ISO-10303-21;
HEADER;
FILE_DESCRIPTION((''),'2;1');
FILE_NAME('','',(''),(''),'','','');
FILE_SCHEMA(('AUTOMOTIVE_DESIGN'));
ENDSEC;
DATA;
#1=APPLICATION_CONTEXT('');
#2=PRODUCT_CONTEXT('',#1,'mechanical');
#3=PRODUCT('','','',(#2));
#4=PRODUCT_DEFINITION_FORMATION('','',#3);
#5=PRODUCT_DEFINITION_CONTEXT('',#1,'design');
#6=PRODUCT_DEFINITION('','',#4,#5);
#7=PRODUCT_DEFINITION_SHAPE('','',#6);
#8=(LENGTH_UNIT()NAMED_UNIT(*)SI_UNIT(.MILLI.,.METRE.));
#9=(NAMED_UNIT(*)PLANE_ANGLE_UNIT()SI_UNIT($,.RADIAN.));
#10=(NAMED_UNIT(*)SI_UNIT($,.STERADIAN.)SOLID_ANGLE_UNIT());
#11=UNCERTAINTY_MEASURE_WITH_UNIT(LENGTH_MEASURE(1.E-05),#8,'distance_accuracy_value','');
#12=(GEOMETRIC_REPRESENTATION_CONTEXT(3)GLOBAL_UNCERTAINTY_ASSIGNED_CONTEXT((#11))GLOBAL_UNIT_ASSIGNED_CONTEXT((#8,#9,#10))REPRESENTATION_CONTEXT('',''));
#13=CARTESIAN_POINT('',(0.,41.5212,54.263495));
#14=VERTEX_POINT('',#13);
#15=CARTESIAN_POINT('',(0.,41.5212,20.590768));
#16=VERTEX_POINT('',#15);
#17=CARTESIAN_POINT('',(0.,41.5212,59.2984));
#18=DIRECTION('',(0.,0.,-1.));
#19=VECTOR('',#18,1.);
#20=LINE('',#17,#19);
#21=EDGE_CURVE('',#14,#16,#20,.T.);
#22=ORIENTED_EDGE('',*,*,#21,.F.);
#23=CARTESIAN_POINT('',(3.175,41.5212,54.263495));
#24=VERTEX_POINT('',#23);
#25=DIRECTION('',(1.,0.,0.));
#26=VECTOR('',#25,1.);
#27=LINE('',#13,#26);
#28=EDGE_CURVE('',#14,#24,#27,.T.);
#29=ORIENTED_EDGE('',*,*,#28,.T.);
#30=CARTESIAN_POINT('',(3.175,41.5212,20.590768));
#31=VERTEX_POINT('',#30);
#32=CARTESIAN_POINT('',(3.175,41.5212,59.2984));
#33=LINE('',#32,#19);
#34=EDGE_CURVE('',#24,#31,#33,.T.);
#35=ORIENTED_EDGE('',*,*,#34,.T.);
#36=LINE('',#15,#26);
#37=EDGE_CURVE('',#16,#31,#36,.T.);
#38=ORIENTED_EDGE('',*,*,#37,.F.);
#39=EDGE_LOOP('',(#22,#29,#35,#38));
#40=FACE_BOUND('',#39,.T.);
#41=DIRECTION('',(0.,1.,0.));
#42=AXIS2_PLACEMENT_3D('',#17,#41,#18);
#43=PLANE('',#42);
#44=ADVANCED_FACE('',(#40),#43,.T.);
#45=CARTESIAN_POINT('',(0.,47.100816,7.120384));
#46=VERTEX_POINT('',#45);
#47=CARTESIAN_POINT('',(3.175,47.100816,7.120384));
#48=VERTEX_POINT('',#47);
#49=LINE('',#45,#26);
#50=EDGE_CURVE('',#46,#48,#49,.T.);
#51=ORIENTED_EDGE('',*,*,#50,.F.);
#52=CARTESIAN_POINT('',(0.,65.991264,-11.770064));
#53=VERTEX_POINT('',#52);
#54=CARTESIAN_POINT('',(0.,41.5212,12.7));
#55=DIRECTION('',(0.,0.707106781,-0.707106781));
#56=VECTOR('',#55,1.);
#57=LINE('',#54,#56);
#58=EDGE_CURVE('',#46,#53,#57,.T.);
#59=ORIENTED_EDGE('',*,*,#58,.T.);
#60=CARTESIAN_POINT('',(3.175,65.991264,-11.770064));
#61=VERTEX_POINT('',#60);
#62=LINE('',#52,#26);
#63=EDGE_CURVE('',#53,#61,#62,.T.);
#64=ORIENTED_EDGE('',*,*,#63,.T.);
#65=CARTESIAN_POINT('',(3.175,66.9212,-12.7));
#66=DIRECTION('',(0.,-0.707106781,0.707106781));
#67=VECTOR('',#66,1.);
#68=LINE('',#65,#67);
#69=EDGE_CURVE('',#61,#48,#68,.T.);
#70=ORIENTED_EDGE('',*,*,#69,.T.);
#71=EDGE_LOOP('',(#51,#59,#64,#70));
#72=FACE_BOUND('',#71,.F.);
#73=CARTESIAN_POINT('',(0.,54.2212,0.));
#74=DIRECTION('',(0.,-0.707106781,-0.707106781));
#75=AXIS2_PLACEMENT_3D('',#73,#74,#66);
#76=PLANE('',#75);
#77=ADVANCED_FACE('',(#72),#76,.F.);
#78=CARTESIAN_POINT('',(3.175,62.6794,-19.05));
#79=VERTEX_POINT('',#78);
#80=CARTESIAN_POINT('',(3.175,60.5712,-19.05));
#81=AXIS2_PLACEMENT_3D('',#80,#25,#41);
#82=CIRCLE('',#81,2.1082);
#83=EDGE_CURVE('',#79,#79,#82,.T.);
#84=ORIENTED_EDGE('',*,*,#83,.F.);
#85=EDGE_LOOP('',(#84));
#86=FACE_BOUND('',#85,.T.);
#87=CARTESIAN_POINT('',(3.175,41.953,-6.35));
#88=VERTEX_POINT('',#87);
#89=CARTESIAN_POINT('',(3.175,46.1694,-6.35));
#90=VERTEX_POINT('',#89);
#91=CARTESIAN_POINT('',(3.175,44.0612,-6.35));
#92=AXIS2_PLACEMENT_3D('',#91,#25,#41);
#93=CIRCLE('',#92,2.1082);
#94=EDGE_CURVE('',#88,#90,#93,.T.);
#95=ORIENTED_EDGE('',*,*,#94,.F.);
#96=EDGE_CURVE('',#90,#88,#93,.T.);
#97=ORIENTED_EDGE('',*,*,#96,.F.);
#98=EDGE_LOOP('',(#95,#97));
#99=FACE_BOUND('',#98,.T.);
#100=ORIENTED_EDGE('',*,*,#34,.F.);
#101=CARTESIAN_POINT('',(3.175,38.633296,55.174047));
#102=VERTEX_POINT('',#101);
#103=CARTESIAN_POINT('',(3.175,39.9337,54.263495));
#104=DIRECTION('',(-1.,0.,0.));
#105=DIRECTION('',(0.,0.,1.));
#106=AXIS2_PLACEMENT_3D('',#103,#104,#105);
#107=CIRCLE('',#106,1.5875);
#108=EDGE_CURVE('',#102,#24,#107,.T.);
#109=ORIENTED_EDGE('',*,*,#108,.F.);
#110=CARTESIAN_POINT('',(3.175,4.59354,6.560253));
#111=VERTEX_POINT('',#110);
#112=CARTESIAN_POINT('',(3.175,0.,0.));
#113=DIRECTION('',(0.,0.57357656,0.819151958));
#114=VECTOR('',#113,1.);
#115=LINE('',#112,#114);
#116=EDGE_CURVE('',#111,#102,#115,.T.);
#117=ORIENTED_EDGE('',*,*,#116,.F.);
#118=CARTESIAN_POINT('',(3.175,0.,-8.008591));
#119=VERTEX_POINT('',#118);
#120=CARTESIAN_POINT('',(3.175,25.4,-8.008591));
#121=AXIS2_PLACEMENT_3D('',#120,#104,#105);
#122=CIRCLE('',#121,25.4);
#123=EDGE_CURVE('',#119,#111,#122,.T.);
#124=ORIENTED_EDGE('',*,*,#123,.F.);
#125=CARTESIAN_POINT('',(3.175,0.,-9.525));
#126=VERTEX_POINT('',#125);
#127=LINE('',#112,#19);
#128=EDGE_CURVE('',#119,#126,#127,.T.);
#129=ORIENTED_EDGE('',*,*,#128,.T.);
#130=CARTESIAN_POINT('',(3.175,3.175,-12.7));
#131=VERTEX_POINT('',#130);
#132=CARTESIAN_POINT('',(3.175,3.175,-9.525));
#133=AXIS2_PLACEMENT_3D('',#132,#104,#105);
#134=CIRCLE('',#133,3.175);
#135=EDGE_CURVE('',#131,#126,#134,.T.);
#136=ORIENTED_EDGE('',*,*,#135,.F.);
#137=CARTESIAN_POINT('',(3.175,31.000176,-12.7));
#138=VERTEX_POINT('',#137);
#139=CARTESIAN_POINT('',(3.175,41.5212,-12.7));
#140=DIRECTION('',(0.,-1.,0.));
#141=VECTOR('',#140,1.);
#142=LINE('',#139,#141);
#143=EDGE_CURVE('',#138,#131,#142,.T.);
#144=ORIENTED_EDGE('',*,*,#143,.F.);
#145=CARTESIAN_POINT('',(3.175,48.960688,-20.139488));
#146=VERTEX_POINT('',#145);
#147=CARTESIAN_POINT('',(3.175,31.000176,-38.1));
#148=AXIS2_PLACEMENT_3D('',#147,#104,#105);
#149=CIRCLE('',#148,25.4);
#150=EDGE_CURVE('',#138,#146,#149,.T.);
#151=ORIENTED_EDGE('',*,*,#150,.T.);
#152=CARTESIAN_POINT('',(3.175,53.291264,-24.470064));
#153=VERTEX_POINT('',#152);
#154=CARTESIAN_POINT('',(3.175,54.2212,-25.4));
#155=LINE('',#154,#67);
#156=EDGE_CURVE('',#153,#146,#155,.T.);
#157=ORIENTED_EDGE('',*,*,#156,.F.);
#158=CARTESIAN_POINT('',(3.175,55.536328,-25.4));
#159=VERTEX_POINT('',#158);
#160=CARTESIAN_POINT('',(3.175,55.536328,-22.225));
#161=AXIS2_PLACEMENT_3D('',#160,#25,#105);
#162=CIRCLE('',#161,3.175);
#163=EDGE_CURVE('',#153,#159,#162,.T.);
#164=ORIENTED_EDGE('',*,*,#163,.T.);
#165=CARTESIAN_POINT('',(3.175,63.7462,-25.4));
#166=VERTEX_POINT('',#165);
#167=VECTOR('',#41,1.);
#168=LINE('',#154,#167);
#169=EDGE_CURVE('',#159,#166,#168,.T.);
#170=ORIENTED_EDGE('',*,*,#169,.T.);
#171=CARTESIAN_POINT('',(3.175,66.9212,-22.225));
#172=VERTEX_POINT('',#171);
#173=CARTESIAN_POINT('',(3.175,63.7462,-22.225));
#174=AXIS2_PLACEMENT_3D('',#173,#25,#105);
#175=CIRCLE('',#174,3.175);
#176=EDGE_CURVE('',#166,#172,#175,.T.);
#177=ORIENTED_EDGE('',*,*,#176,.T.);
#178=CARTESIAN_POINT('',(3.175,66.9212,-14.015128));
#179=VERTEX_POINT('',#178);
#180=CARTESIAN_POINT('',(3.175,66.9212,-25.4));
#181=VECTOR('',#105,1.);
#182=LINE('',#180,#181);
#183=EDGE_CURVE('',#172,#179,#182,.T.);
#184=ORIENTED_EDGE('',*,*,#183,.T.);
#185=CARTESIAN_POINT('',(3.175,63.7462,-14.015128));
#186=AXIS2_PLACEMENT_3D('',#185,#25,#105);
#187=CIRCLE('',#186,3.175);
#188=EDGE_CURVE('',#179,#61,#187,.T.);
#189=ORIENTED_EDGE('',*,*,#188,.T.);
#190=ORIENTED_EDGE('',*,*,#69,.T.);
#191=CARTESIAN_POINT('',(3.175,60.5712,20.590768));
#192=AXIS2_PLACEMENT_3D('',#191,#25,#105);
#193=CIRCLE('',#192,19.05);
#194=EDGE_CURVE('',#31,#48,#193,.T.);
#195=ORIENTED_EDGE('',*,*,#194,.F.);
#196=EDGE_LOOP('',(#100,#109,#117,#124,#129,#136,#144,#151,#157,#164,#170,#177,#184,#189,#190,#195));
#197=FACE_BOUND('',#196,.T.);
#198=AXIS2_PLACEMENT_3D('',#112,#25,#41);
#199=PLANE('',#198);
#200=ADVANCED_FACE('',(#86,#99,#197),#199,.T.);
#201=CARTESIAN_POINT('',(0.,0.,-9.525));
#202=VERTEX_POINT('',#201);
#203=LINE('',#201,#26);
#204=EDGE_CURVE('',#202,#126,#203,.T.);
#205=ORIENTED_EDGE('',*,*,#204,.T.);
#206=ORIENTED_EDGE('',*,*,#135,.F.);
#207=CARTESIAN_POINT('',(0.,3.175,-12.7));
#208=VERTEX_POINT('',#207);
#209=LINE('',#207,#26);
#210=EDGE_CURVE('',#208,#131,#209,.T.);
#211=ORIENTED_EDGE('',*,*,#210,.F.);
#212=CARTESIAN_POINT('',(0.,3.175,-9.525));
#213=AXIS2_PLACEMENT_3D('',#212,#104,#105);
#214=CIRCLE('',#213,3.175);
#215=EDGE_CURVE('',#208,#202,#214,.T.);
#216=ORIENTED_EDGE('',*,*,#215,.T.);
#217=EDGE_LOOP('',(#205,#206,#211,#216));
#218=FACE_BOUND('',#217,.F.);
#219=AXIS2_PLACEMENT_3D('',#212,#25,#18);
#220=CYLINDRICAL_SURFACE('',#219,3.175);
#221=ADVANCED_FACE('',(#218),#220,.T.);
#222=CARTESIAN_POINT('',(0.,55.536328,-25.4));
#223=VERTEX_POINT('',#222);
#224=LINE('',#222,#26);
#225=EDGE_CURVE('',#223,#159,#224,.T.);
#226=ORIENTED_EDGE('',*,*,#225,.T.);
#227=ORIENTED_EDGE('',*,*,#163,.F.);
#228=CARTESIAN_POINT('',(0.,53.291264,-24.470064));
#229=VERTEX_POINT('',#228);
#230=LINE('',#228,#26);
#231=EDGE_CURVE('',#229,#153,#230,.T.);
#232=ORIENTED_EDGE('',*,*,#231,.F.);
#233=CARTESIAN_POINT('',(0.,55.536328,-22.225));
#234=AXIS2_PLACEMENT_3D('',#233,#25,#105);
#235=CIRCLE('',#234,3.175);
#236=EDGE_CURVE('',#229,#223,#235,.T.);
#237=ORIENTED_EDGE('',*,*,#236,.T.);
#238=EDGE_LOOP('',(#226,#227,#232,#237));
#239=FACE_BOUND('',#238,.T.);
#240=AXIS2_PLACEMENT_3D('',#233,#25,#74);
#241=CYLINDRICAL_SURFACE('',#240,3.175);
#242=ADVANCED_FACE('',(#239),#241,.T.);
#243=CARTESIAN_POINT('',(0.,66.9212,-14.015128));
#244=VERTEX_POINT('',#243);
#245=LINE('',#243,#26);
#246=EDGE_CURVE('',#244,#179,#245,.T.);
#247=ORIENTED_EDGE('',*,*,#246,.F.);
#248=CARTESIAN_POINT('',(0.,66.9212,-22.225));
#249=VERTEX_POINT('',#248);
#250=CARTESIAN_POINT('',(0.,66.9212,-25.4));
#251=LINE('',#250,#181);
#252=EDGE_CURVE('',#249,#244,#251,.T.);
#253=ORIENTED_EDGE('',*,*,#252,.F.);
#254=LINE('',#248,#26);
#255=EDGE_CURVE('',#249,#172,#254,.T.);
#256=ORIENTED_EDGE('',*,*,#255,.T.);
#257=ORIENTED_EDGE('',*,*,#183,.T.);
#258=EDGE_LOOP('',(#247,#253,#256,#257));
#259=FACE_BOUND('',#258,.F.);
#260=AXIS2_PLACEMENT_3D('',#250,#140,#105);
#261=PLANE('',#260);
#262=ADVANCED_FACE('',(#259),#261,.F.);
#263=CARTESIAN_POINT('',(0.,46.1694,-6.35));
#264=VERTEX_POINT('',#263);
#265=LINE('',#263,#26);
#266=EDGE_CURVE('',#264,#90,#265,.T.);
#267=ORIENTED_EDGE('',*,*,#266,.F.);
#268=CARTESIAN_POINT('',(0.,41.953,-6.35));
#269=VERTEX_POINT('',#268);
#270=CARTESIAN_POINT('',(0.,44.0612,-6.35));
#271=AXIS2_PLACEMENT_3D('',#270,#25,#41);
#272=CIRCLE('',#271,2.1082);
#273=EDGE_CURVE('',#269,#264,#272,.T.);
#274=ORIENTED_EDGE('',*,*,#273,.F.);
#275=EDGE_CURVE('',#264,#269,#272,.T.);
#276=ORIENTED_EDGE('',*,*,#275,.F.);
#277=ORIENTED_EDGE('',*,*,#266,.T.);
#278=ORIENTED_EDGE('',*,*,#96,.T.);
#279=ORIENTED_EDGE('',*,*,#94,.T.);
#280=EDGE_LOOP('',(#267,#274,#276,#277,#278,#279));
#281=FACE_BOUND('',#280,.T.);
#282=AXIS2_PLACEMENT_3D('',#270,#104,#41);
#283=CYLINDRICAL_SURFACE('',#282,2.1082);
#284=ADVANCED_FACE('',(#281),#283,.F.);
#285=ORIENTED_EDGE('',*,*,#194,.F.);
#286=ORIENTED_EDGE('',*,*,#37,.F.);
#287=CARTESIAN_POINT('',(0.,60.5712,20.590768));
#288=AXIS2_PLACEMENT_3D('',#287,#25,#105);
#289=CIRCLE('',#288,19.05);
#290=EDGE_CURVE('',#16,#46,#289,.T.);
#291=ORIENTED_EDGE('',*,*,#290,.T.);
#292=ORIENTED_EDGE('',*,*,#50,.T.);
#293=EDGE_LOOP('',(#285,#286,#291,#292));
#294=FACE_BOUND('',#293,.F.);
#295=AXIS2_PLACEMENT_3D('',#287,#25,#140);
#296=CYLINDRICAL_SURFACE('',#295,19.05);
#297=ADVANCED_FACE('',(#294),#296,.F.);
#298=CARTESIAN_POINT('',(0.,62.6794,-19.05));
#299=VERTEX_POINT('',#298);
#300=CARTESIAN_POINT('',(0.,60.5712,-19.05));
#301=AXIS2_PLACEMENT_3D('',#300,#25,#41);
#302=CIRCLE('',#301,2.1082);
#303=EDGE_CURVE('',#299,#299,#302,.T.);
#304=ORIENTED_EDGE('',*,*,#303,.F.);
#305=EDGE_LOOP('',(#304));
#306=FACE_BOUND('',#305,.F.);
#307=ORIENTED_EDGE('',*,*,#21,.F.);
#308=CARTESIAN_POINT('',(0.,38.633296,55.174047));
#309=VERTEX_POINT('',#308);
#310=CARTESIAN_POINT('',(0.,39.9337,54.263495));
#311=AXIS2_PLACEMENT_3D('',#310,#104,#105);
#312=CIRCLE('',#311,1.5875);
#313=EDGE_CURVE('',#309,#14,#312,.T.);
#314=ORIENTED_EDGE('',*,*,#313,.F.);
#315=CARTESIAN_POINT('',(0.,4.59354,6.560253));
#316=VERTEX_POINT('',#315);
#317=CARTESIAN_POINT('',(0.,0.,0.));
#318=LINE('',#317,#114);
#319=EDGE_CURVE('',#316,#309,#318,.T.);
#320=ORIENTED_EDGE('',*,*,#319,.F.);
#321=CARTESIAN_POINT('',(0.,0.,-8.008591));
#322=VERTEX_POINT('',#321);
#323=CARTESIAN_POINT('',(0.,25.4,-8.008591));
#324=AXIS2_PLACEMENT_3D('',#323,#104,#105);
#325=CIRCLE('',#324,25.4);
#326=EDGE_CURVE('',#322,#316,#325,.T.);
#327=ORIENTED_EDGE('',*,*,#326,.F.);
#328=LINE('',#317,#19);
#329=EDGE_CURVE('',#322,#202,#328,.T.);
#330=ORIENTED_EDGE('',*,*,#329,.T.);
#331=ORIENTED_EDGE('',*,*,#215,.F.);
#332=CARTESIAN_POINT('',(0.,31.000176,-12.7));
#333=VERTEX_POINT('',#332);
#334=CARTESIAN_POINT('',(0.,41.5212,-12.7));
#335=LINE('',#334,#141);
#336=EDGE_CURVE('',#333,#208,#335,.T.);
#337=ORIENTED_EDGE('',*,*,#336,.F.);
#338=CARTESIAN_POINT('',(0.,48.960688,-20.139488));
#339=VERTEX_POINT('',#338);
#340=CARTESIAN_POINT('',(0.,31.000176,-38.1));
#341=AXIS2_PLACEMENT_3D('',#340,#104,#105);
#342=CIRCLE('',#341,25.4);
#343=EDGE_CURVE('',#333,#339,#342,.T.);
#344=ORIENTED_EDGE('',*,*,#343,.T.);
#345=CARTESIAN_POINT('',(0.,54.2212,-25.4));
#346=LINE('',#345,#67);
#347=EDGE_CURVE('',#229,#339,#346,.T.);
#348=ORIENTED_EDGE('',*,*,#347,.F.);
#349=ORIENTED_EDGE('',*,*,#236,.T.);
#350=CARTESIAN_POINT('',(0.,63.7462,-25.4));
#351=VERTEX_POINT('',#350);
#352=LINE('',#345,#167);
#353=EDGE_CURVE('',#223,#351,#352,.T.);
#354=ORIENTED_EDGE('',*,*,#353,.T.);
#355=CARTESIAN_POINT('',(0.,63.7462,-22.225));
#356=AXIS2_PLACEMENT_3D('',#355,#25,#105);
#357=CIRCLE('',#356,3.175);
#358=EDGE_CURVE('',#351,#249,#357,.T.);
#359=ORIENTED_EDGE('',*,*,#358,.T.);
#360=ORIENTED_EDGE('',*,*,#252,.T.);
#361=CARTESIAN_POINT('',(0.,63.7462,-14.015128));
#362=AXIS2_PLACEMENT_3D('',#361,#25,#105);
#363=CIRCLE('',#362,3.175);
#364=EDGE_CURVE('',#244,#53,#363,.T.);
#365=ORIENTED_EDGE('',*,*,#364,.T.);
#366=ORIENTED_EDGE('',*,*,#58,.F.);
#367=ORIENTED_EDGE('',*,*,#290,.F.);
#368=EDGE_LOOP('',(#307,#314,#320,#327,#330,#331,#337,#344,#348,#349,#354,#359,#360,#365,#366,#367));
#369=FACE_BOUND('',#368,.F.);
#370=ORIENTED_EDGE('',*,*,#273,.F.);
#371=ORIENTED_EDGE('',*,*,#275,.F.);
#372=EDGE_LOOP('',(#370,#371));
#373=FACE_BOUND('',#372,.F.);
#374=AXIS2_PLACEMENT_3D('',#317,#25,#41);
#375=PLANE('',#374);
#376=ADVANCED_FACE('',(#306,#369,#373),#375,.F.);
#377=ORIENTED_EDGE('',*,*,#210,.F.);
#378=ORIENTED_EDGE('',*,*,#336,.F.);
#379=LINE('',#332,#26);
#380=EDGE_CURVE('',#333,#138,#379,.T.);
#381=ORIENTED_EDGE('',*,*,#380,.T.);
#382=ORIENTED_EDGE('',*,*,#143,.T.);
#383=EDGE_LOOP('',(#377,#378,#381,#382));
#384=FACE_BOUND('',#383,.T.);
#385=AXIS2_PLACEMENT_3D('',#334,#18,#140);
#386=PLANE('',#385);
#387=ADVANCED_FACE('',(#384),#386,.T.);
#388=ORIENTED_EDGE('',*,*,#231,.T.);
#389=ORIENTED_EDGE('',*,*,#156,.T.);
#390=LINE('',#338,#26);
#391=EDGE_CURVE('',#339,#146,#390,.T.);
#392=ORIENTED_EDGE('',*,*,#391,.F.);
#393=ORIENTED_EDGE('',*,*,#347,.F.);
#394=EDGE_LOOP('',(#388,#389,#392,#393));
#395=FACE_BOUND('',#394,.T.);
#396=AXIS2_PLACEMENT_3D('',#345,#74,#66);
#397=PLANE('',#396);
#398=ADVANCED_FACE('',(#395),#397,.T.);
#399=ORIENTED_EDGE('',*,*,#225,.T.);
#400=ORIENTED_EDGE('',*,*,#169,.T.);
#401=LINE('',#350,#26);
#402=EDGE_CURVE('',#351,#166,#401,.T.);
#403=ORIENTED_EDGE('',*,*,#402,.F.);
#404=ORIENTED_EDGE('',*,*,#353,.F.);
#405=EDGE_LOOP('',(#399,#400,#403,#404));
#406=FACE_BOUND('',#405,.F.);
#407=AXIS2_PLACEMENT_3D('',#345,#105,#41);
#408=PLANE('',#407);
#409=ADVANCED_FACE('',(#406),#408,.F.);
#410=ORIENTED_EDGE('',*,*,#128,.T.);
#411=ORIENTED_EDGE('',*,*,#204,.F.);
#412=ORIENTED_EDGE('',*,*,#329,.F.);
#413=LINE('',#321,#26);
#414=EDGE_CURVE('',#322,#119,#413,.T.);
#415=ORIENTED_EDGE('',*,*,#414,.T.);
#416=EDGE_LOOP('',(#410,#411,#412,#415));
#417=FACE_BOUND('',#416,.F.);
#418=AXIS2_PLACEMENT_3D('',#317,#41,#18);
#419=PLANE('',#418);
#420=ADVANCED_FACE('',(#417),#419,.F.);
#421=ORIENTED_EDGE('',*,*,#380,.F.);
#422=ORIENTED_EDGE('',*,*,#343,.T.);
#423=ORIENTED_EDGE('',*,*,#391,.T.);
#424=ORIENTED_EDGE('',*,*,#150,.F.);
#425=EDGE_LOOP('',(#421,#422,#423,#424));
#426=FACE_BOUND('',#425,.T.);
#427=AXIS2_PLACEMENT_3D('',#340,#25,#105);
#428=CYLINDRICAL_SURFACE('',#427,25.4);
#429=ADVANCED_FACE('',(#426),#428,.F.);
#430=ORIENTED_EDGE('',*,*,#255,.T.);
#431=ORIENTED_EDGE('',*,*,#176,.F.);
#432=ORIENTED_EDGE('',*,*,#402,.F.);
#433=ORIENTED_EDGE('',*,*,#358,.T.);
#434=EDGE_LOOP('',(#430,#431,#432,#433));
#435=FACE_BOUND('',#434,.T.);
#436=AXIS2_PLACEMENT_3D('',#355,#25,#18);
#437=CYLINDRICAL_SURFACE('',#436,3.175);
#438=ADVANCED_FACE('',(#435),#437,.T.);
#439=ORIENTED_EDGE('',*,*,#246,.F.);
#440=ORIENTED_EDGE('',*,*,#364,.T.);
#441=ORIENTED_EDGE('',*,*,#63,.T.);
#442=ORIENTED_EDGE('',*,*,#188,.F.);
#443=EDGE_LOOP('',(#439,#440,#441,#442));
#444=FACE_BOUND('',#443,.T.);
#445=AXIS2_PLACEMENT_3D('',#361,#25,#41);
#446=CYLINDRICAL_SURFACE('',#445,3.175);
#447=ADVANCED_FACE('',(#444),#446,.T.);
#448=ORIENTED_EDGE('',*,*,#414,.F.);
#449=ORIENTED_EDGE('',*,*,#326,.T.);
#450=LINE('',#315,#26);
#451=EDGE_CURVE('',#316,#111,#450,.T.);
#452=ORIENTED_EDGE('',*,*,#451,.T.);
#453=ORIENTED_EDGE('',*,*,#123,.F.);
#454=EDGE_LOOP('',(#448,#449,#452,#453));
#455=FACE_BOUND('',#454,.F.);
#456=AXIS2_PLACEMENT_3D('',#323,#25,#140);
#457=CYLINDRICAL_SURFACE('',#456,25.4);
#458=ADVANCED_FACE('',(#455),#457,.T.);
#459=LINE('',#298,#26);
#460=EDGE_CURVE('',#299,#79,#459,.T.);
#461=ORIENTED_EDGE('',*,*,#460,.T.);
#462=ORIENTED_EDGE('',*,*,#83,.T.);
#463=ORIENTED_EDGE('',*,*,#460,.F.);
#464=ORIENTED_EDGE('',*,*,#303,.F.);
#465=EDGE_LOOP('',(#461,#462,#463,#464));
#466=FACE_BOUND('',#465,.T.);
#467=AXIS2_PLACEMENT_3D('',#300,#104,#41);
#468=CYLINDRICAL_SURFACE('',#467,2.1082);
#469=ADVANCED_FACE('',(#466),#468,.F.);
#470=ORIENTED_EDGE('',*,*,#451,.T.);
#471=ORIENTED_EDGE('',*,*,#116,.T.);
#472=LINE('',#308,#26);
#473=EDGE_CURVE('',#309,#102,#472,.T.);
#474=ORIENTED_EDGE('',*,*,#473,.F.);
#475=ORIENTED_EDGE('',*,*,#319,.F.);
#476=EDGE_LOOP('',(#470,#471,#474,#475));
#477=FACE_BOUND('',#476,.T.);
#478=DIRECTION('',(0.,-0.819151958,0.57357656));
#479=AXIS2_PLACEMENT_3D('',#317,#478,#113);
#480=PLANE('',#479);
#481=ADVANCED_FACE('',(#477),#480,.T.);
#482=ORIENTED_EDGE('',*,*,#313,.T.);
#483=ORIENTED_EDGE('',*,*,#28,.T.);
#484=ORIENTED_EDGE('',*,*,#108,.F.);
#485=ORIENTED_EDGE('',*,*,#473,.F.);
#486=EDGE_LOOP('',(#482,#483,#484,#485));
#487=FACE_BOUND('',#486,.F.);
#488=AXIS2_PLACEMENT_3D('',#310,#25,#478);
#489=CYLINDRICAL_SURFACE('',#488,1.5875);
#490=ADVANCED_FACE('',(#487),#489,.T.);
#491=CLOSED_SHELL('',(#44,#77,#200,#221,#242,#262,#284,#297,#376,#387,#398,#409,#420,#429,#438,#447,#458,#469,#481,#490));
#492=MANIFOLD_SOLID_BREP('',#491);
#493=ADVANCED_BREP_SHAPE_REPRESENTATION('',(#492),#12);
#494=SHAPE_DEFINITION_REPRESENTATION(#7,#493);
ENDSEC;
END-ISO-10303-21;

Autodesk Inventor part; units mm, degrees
ref_plane "YZ Plane" through (0, 0, 0) normal (1, 0, 0) x (0, 1, 0)
ref_plane "XZ Plane" through (0, 0, 0) normal (0, 1, 0) x (-1, 0, 0)
ref_plane "XY Plane" through (0, 0, 0) normal (0, 0, 1) x (1, 0, 0)
sketch "Sketch1" plane through (0, 0, 0) normal (1, 0, 0) x (0, 1, 0)
  line L0 (0, 0) -> (0, -12.7)
  line L1 (0, 0) -> (41.5212, 59.2984)
  line L2 (41.5212, 59.2984) -> (41.5212, -12.7)
  line L3 (41.5212, -12.7) -> (0, -12.7)
  line L4 (41.5212, 2.0806) -> (41.5212, -12.7)
  line L5 (41.5212, -12.7) -> (66.9212, -12.7)
  line L6 (41.5212, 8.3226) -> (41.5212, -12.7)
  line L7 (41.5212, 0) -> (66.9212, 0)
  line L8 (66.9212, 0) -> (66.9212, -12.7)
  line L9 (66.9212, -12.7) -> (41.5212, -12.7)
  line L10 (41.5212, -12.7) -> (41.5212, 0)
  line L11 (41.5212, -6.35) -> (44.0612, -6.35)
  circle A0 centre (44.0612, -6.35) radius 2.1082
  line L12 (66.9212, -12.7) -> (54.2212, -12.7)
  line L13 (54.2212, -12.7) -> (54.2212, -25.4)
  line L14 (54.2212, -25.4) -> (66.9212, -25.4)
  line L15 (66.9212, -25.4) -> (66.9212, -12.7)
  circle A1 centre (60.5712, -19.05) radius 2.1082
  line L16 (54.2212, 0) -> (66.9212, -12.7)
  line L17 (54.2212, -25.4) -> (41.5212, -12.7)
  line L18 (54.2212, 0) -> (41.5212, 12.7)
  point P0 (41.5212, 8.3226)
  point P1 (41.5212, 0)
  point P2 (41.5212, -12.7)
  dimension "d0" = 12.7
  dimension "d1" = 72.39
  dimension "d3" = 145
  dimension "d20" = 2.54
  dimension "d22" = 4.2164
  dimension "d23" = 12.7
  dimension "d24" = 12.7
  dimension "d25" = 25.4
  dimension "d26" = 25.4
  dimension "d27" = 4.2164
  dimension "d30" = 45
extrude "Extrusion1" add sketch "Sketch1" along normal blind 3.175 contours L1 L2 L3 L0 | L2 L7 L16 L5 | L5 L13 L17 | L18 L7 L2 | L5 L15 L14 L13
fillet "Fillet1" radius 1.5875 1 edges at (1.5875, 41.5212, 59.2984)
fillet "Fillet7" radius 19.05 1 edges at (1.5875, 41.5212, 12.7)
fillet "Fillet8" radius 25.4 1 edges at (1.5875, 41.5212, -12.7)
fillet "Fillet9" radius 3.175 4 edges at (1.5875, 54.2212, -25.4) (1.5875, 66.9212, -25.4) (1.5875, 66.9212, -12.7) (1.5875, 0, -12.7)
fillet "Fillet10" radius 25.4 1 edges at (1.5875, 0, 0)
properties part number "flip out sleds"
